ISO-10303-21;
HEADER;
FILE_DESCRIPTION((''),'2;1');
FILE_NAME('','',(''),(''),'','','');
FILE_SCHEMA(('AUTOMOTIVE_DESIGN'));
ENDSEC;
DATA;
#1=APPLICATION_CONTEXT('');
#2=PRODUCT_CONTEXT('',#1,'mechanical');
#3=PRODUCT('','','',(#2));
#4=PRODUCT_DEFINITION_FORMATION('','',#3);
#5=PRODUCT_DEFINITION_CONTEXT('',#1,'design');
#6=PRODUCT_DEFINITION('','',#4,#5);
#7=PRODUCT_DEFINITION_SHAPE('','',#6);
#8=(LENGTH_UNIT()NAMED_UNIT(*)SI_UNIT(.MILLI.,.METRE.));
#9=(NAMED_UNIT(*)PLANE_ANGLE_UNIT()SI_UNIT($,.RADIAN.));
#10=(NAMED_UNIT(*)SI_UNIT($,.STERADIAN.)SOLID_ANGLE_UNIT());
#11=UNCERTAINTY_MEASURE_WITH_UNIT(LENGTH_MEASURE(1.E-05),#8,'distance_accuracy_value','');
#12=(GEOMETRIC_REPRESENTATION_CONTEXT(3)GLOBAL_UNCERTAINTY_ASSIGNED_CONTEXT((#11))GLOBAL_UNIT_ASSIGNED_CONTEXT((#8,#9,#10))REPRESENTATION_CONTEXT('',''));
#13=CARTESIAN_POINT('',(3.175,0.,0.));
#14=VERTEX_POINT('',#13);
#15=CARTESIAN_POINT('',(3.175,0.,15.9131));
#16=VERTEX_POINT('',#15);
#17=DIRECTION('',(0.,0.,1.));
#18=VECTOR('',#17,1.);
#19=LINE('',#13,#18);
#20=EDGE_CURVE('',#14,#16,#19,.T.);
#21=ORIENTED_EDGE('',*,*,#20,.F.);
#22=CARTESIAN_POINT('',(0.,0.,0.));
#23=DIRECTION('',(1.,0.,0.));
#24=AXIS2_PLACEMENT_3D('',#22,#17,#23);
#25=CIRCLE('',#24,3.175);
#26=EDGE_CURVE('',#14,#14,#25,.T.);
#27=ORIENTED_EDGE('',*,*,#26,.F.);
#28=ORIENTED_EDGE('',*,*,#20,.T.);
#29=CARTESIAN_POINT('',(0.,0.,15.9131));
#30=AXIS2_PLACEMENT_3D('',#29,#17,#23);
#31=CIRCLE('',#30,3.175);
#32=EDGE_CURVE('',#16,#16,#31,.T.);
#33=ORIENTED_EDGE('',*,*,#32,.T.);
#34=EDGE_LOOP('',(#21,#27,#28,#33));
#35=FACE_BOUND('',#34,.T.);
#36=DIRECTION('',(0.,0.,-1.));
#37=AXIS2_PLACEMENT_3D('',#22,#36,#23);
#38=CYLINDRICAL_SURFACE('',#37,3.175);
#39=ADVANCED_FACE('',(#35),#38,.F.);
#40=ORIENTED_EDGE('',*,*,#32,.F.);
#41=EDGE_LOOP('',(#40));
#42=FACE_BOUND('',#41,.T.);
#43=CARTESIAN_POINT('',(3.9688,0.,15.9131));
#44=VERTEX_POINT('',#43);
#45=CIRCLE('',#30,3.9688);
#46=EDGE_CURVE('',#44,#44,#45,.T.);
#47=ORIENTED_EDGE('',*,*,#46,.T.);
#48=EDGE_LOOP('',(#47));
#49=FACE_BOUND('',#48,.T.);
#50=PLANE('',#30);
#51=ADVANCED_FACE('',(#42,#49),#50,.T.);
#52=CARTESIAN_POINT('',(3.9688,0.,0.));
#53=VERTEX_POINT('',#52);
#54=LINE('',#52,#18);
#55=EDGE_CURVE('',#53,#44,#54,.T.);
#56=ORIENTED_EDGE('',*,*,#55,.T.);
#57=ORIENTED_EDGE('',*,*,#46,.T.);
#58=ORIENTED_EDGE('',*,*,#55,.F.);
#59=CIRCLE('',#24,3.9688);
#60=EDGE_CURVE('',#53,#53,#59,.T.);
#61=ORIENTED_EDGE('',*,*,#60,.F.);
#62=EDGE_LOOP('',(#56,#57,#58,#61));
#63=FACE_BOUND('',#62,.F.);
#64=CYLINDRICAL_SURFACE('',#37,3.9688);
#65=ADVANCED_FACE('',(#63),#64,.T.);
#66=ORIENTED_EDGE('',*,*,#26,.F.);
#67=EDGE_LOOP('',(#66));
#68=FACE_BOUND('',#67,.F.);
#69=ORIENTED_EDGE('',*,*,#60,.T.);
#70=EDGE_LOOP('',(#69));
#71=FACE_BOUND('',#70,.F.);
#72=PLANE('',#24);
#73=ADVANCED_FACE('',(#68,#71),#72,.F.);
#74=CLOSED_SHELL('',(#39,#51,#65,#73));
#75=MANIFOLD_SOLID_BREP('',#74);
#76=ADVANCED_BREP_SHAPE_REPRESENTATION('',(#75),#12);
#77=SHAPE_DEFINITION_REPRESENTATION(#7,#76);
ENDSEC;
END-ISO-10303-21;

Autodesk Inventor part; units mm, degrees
ref_plane "YZ Plane" through (0, 0, 0) normal (1, 0, 0) x (0, 1, 0)
ref_plane "XZ Plane" through (0, 0, 0) normal (0, 1, 0) x (-1, 0, 0)
ref_plane "XY Plane" through (0, 0, 0) normal (0, 0, 1) x (1, 0, 0)
sketch "Sketch1" plane through (0, 0, 0) normal (0, 0, 1) x (1, 0, 0)
  circle A0 centre (0, 0) radius 3.175
  circle A1 centre (0, 0) radius 3.9688
  dimension "d0" = 6.35
  dimension "d1" = 7.9375
extrude "Extrusion1" add sketch "Sketch1" along normal blind 15.9131
properties part number "Belt Shaft Spacer 2"
